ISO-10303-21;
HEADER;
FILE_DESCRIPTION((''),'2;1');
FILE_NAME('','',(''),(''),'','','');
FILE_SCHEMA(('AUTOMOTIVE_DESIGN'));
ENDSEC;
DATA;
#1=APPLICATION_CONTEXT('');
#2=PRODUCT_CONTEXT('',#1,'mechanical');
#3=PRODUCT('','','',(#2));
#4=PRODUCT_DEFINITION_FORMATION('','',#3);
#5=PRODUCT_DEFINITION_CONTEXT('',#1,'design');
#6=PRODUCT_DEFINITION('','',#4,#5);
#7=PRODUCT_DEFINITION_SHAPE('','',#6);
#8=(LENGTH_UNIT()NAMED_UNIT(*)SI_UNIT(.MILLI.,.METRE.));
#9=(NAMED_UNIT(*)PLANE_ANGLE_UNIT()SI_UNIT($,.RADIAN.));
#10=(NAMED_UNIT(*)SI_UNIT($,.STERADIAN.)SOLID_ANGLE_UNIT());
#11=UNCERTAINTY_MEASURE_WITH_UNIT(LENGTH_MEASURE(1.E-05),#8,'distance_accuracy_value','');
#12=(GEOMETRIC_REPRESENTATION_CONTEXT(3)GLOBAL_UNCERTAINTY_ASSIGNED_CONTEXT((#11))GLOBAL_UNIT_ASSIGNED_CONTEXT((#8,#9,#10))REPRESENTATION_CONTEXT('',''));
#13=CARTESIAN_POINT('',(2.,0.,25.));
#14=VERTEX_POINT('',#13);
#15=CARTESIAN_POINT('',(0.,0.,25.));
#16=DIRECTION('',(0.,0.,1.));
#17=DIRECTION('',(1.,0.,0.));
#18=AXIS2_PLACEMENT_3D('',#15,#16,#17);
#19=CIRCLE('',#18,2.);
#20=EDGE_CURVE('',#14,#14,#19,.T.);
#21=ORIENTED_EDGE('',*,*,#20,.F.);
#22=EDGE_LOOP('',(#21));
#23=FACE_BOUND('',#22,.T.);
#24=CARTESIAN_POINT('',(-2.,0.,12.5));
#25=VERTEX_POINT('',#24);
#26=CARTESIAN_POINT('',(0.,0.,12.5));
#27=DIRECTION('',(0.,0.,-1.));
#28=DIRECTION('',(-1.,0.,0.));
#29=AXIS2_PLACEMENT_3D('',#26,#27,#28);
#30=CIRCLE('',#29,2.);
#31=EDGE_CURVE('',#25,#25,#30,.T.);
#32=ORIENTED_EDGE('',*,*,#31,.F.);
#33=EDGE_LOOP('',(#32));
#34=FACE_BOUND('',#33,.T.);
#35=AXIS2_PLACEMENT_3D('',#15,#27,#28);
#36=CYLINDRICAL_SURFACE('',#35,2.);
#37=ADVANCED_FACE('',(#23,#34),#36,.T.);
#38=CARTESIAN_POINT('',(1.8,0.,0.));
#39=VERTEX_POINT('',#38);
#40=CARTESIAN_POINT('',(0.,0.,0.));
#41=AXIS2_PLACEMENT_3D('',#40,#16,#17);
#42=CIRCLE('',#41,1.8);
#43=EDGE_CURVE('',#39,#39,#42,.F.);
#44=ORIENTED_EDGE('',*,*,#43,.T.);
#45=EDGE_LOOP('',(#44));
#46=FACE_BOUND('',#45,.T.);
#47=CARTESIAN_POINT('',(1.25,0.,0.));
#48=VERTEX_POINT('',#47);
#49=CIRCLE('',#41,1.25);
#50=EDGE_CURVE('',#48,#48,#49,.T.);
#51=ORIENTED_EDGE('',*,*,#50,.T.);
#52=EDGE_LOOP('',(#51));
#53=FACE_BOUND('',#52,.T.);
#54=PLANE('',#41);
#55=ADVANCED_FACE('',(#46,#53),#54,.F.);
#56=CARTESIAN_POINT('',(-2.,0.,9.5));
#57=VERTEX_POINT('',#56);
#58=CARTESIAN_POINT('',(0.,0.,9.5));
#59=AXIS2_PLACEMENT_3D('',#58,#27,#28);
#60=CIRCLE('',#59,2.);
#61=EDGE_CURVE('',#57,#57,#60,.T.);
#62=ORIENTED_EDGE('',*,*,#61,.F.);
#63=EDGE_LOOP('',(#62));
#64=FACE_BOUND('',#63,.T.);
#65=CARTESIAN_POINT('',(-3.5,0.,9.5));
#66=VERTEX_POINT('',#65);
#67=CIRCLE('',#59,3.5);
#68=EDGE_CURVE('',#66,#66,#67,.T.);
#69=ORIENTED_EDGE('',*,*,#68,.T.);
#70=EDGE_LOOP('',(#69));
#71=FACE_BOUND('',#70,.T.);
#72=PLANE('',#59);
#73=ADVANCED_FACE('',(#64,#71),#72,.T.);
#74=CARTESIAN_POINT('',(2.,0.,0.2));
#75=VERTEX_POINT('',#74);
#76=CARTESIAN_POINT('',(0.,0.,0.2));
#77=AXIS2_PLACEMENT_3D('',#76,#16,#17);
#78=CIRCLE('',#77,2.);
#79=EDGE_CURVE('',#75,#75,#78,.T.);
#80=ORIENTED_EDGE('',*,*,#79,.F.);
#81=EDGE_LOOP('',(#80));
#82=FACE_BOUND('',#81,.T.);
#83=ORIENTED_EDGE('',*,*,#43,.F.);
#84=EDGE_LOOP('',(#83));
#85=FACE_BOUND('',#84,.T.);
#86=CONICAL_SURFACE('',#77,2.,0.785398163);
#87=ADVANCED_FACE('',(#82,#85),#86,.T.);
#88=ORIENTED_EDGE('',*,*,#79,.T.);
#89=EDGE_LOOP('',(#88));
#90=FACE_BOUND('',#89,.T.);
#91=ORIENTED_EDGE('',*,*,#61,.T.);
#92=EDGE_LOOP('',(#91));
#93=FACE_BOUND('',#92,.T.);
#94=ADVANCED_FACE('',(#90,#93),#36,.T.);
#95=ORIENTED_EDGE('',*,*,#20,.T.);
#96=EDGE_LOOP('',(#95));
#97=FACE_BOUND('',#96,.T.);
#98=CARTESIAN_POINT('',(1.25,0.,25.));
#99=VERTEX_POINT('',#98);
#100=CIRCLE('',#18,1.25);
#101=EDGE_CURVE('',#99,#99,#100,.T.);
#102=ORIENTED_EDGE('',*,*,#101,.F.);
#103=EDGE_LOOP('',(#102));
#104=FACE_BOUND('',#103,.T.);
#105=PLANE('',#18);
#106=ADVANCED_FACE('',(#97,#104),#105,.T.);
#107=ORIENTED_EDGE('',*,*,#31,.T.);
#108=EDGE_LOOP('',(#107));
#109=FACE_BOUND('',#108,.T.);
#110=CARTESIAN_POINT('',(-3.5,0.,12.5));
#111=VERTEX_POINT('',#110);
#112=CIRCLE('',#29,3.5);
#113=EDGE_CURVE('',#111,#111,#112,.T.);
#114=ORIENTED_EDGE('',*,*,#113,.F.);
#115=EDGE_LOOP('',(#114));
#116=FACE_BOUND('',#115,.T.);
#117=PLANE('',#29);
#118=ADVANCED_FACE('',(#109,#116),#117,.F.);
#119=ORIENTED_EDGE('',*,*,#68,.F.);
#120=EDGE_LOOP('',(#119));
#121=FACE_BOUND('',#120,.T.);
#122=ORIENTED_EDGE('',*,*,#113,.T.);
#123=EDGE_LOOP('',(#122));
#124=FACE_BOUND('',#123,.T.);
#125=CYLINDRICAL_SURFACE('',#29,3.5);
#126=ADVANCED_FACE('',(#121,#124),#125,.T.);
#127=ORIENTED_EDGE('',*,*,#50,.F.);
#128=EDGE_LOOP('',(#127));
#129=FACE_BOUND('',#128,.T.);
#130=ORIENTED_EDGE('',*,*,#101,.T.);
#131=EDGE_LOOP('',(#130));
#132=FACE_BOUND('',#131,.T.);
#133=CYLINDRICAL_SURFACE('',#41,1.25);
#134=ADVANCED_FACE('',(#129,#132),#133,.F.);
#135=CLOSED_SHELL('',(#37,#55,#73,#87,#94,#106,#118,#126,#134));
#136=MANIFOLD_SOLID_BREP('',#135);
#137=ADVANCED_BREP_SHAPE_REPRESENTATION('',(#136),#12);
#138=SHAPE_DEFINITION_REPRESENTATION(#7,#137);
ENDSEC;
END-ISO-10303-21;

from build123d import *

# Parameters (mm, degrees)
SKETCH_1_R          = 2
EXTRUDE_1_DEPTH     = 25
SKETCH_2_R          = 1.25
CUT_EXTRUDE_1_DEPTH = 26
EXTRUDE_START       = -9.5
SKETCH_3_R          = 3.5
SKETCH_3_R_2        = 2
EXTRUDE_2_DEPTH     = 3
CHAMFER_1_SIZE      = 0.2


with BuildPart() as part:
    # Эскиз1 → Бобышка-Вытянуть1 (new body)
    with BuildSketch(Plane.XY):
        Circle(SKETCH_1_R)
    extrude(amount=EXTRUDE_1_DEPTH)

    # Эскиз2 → Вырез-Вытянуть1 (cut, through all)
    with BuildSketch(Plane.XY.offset(25)):
        Circle(SKETCH_2_R)
    extrude(amount=-CUT_EXTRUDE_1_DEPTH, mode=Mode.SUBTRACT)

    # Эскиз3 → Бобышка-Вытянуть2 (add)
    with BuildSketch(Plane(origin=(0, 0, 0), x_dir=(-1, 0, 0), z_dir=(0, 0, -1)).offset(EXTRUDE_START)):
        Circle(SKETCH_3_R)
        Circle(SKETCH_3_R_2, mode=Mode.SUBTRACT)
    extrude(amount=-EXTRUDE_2_DEPTH)

    # Фаска1
    chamfer_1_edges = [part.edges().sort_by_distance(p)[0] for p in [
        (-2, 0, 0),
    ]]
    chamfer(chamfer_1_edges, length=CHAMFER_1_SIZE)


solid = part.part
